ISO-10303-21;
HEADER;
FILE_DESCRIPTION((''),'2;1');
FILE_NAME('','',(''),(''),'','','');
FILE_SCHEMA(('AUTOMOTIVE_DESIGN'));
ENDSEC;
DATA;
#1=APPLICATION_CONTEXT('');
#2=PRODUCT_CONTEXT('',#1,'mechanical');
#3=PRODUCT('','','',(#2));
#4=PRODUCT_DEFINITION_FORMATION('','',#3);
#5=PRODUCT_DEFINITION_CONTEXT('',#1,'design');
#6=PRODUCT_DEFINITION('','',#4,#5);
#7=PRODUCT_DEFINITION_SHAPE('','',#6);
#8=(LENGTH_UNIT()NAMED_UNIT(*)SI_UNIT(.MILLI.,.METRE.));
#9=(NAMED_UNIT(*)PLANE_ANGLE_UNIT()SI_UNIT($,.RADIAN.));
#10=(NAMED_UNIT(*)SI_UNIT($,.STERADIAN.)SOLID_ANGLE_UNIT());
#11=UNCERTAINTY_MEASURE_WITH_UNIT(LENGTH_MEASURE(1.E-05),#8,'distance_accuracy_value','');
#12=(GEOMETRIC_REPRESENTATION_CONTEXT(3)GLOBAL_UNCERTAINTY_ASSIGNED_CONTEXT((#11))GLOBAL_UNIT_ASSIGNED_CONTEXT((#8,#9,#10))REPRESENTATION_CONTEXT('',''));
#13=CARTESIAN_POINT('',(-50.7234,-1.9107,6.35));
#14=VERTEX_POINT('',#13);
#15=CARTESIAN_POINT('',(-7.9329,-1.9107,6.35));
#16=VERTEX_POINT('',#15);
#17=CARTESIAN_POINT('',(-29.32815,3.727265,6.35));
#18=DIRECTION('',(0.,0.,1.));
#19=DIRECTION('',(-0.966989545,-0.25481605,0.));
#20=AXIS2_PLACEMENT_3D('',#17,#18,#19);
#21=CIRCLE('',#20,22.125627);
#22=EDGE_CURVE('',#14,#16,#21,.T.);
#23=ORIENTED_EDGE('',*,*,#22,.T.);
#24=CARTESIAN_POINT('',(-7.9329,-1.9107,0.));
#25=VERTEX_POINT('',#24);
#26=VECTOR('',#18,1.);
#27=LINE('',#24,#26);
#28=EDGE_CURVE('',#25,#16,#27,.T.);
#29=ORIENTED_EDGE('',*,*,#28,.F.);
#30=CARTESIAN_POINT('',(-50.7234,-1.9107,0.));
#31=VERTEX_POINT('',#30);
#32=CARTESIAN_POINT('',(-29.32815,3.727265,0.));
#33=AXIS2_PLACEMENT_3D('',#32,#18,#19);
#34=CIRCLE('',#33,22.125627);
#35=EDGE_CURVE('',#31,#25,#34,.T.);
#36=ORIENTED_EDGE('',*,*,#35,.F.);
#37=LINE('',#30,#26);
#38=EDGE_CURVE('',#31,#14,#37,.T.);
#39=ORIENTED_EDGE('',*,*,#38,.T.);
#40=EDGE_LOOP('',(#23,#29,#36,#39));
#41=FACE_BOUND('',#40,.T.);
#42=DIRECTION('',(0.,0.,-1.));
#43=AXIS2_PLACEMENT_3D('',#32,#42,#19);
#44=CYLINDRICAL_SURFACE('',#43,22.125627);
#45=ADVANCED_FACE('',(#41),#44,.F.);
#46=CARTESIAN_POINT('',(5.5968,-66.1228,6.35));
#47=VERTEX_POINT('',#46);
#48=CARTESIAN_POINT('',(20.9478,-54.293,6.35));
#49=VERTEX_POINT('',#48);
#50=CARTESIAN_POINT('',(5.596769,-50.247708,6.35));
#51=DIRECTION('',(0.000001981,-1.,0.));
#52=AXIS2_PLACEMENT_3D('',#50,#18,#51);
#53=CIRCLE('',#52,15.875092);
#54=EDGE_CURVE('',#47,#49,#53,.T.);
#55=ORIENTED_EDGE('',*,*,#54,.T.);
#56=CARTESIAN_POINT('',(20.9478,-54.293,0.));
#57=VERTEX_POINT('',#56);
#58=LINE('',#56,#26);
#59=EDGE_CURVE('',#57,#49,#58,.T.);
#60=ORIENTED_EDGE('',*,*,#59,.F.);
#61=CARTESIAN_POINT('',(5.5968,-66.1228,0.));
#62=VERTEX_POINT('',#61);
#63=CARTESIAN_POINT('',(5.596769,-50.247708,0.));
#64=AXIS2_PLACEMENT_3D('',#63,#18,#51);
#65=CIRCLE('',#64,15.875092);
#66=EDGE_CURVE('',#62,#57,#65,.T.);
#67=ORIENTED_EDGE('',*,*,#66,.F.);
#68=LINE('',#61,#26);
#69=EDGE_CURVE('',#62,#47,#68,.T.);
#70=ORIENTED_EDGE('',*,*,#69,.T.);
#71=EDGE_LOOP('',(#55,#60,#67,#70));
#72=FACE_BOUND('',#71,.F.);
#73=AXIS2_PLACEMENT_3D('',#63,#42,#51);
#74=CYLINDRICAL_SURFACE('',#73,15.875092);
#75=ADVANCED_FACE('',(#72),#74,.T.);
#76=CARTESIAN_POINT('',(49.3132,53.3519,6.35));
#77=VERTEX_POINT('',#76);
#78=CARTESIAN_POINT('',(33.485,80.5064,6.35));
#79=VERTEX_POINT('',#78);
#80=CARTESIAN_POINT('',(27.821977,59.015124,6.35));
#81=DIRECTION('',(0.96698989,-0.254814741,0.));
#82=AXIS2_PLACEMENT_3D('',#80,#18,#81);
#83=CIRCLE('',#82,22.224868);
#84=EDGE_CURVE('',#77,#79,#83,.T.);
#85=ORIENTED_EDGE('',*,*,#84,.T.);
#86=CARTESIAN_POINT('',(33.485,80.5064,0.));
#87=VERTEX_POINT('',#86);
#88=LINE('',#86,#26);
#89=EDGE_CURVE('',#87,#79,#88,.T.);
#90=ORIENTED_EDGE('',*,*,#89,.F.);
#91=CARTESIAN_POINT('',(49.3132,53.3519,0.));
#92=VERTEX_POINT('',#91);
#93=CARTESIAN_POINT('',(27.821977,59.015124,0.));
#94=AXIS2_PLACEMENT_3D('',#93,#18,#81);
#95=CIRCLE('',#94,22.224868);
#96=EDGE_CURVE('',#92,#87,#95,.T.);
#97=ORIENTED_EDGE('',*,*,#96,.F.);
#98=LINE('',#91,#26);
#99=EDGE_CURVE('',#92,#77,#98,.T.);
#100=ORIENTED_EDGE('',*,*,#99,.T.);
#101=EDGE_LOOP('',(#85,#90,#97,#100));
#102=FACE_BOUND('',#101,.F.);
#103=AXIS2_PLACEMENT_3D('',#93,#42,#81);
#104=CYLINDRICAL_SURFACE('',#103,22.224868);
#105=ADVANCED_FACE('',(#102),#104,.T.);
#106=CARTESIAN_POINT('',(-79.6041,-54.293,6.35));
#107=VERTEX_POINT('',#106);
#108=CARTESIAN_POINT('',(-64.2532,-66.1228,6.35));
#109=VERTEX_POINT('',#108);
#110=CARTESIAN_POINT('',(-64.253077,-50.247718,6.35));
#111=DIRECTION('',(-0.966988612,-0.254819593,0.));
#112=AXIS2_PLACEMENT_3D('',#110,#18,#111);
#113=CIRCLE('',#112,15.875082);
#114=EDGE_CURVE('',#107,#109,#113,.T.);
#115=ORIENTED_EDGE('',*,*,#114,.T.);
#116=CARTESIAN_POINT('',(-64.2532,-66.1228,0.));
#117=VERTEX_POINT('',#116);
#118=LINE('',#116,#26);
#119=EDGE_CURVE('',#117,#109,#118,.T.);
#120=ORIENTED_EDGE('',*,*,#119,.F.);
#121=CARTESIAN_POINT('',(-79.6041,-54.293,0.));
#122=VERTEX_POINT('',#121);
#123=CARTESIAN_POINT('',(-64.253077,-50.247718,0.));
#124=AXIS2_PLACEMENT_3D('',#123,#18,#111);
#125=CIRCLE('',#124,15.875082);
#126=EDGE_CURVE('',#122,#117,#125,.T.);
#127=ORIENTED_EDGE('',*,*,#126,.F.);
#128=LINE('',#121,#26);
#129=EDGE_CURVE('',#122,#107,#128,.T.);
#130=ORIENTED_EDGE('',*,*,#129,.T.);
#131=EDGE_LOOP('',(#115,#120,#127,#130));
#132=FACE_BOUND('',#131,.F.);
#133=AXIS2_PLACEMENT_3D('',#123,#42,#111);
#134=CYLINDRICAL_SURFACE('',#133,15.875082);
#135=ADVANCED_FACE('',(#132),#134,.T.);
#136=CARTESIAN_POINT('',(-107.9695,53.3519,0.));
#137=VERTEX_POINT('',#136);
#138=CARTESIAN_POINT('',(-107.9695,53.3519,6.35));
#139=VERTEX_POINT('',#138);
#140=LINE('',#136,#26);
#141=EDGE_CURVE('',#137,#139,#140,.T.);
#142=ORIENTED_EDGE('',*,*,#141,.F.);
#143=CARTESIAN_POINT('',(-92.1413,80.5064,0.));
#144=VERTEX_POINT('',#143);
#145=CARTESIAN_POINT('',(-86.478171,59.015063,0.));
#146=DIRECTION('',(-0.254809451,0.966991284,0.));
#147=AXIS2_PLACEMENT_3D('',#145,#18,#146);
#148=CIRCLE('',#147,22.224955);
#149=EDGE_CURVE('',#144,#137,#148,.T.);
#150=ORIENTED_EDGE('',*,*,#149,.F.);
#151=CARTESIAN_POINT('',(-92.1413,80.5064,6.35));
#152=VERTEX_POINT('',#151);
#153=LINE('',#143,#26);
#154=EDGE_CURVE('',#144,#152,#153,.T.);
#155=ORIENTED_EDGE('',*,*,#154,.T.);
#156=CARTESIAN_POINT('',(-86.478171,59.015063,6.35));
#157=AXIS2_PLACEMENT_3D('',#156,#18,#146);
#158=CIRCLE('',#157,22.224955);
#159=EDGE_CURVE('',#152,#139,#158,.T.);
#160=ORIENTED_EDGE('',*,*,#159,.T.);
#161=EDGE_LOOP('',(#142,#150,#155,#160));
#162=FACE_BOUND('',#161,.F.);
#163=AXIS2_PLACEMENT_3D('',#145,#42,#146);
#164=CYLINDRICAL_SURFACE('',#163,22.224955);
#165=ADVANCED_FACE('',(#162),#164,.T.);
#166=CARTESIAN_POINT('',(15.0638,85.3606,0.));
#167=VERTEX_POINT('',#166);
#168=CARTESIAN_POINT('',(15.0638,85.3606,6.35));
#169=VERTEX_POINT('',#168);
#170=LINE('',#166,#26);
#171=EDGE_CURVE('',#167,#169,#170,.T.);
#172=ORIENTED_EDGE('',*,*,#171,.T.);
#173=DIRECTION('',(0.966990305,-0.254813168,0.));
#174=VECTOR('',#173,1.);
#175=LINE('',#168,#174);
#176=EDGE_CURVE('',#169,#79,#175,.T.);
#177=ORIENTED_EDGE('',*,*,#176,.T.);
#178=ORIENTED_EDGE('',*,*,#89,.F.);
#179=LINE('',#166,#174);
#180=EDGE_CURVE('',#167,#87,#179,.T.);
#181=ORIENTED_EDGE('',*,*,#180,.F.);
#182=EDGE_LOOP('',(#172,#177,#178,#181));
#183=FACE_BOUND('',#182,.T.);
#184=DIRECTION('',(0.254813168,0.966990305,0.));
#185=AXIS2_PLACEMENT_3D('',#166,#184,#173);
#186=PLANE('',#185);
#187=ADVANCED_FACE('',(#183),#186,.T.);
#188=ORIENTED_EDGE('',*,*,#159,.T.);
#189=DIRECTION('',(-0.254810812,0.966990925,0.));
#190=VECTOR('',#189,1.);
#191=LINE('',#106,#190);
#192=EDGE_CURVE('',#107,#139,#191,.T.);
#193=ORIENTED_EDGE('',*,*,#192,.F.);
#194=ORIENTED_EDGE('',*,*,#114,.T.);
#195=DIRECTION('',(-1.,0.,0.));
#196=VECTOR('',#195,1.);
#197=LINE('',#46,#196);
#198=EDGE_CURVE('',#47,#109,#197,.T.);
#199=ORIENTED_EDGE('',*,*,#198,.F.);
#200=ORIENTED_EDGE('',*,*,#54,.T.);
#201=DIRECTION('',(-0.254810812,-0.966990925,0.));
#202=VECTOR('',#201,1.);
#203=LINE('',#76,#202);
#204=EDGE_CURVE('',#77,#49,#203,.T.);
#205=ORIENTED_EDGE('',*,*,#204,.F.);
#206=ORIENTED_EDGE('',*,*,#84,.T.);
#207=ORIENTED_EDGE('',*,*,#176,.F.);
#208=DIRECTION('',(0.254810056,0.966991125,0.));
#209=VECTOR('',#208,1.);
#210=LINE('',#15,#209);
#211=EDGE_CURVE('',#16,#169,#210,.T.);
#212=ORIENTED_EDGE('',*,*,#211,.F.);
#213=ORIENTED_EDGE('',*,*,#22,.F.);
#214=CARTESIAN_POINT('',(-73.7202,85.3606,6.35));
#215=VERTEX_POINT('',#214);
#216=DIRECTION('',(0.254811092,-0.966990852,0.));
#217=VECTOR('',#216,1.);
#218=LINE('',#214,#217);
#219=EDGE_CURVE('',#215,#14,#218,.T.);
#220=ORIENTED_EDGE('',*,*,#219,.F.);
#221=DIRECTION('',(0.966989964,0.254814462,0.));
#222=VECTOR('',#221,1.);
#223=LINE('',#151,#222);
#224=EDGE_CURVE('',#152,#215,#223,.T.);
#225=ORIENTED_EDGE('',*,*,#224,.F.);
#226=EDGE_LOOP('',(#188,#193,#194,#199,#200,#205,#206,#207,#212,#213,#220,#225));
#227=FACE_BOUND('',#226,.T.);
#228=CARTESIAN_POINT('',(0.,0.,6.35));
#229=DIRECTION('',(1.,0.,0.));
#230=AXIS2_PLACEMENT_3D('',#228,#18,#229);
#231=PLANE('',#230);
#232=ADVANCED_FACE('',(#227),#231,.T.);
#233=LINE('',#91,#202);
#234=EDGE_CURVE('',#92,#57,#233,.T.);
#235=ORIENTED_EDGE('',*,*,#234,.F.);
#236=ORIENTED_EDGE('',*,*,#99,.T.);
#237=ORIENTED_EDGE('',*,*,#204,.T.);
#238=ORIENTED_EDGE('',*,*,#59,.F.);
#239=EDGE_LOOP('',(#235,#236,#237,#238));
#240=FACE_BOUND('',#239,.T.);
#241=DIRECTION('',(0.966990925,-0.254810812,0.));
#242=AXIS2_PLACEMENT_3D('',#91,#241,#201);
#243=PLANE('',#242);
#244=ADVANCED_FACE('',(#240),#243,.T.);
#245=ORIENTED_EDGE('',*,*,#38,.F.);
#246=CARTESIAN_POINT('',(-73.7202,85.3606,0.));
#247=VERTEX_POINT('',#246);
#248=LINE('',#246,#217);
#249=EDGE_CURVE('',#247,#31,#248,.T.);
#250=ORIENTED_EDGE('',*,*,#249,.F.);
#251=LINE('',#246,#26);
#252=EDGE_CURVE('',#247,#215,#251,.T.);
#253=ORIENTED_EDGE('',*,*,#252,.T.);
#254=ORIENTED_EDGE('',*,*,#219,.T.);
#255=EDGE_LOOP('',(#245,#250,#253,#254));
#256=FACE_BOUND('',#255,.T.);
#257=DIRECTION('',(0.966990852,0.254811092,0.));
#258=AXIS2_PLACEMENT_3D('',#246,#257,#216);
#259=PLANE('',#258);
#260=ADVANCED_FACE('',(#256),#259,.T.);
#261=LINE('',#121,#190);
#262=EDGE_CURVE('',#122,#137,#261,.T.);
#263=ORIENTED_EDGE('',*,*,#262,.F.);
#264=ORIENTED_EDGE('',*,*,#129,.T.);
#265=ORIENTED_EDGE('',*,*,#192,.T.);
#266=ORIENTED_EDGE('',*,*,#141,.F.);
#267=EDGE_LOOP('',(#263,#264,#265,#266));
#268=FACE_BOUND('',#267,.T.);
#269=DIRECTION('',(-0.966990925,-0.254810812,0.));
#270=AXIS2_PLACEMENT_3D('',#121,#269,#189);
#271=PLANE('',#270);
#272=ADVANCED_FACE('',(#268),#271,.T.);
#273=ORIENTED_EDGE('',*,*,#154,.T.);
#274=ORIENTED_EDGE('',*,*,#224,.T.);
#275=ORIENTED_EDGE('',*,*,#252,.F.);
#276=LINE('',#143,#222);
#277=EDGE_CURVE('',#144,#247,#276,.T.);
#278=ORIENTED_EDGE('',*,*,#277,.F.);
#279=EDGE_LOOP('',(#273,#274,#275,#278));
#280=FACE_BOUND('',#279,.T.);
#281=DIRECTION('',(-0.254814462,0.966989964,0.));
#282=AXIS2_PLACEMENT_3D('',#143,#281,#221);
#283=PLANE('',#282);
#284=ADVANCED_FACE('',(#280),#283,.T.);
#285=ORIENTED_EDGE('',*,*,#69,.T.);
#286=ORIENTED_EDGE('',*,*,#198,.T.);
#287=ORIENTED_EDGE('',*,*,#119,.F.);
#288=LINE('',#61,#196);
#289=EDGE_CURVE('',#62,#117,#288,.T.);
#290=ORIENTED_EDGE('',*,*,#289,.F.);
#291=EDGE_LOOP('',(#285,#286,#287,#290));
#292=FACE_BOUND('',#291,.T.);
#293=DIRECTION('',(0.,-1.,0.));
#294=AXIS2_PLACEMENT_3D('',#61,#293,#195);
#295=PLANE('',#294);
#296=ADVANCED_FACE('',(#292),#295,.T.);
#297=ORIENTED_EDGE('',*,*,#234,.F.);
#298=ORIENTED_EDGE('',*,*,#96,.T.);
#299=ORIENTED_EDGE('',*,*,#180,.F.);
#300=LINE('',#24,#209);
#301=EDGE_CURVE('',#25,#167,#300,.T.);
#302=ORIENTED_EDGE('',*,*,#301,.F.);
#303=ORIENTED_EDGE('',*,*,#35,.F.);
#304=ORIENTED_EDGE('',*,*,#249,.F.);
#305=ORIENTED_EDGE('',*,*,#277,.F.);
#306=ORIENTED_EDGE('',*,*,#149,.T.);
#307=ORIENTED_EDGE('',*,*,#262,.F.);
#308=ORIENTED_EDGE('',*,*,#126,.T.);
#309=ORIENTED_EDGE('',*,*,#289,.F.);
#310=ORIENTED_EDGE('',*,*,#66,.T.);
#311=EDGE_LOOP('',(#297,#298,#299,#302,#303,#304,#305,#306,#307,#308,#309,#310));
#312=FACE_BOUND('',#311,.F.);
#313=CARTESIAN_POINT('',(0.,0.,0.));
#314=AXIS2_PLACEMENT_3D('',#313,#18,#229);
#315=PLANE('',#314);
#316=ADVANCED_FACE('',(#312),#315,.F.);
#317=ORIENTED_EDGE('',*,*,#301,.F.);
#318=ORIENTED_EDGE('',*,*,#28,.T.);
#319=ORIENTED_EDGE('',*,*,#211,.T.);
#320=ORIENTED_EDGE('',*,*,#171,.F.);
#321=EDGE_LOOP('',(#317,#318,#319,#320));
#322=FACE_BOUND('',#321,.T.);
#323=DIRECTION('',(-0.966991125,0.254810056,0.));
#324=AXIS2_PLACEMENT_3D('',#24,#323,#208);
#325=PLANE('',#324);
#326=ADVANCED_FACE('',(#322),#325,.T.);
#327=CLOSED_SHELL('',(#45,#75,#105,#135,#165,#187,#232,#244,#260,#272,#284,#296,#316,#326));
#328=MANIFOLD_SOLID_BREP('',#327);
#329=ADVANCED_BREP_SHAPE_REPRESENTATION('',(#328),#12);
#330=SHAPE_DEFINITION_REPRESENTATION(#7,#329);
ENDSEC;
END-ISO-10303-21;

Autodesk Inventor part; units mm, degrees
ref_plane "YZ Plane" through (0, 0, 0) normal (1, 0, 0) x (0, 1, 0)
ref_plane "XZ Plane" through (0, 0, 0) normal (0, 1, 0) x (-1, 0, 0)
ref_plane "XY Plane" through (0, 0, 0) normal (0, 0, 1) x (1, 0, 0)
sketch "Sketch1" plane through (0, 0, 0) normal (0, 0, 1) x (1, 0, 0)
  arc A0 (-50.7234, -1.9107) -> (-7.9329, -1.9107) centre (-29.3282, 3.7272) ccw
  line L0 (-7.9329, -1.9107) -> (15.0638, 85.3606)
  line L1 (15.0638, 85.3606) -> (33.485, 80.5064)
  line L2 (49.3132, 53.3519) -> (20.9478, -54.293)
  line L3 (5.5968, -66.1228) -> (-64.2532, -66.1228)
  line L4 (-79.6041, -54.293) -> (-107.9695, 53.3519)
  line L5 (-92.1413, 80.5064) -> (-73.7202, 85.3606)
  line L6 (-73.7202, 85.3606) -> (-50.7234, -1.9107)
  arc A1 (49.3132, 53.3519) -> (33.485, 80.5064) centre (27.8218, 59.0151) ccw
  arc A2 (-92.1413, 80.5064) -> (-107.9695, 53.3519) centre (-86.4782, 59.0151) ccw
  arc A3 (5.5968, -66.1228) -> (20.9478, -54.293) centre (5.5968, -50.2478) ccw
  arc A4 (-79.6041, -54.293) -> (-64.2532, -66.1228) centre (-64.2532, -50.2478) ccw
  dimension "d4" = 22.225
  dimension "d5" = 15.875
  dimension "d6" = 34.925
  dimension "d8" = 57.15
  dimension "d9" = 69.85
  dimension "d11" = 41.275
  dimension "d12" = 41.275
extrude "Extrusion1" add sketch "Sketch1" along normal blind 6.35
properties part number "HW 6 Part 1"
